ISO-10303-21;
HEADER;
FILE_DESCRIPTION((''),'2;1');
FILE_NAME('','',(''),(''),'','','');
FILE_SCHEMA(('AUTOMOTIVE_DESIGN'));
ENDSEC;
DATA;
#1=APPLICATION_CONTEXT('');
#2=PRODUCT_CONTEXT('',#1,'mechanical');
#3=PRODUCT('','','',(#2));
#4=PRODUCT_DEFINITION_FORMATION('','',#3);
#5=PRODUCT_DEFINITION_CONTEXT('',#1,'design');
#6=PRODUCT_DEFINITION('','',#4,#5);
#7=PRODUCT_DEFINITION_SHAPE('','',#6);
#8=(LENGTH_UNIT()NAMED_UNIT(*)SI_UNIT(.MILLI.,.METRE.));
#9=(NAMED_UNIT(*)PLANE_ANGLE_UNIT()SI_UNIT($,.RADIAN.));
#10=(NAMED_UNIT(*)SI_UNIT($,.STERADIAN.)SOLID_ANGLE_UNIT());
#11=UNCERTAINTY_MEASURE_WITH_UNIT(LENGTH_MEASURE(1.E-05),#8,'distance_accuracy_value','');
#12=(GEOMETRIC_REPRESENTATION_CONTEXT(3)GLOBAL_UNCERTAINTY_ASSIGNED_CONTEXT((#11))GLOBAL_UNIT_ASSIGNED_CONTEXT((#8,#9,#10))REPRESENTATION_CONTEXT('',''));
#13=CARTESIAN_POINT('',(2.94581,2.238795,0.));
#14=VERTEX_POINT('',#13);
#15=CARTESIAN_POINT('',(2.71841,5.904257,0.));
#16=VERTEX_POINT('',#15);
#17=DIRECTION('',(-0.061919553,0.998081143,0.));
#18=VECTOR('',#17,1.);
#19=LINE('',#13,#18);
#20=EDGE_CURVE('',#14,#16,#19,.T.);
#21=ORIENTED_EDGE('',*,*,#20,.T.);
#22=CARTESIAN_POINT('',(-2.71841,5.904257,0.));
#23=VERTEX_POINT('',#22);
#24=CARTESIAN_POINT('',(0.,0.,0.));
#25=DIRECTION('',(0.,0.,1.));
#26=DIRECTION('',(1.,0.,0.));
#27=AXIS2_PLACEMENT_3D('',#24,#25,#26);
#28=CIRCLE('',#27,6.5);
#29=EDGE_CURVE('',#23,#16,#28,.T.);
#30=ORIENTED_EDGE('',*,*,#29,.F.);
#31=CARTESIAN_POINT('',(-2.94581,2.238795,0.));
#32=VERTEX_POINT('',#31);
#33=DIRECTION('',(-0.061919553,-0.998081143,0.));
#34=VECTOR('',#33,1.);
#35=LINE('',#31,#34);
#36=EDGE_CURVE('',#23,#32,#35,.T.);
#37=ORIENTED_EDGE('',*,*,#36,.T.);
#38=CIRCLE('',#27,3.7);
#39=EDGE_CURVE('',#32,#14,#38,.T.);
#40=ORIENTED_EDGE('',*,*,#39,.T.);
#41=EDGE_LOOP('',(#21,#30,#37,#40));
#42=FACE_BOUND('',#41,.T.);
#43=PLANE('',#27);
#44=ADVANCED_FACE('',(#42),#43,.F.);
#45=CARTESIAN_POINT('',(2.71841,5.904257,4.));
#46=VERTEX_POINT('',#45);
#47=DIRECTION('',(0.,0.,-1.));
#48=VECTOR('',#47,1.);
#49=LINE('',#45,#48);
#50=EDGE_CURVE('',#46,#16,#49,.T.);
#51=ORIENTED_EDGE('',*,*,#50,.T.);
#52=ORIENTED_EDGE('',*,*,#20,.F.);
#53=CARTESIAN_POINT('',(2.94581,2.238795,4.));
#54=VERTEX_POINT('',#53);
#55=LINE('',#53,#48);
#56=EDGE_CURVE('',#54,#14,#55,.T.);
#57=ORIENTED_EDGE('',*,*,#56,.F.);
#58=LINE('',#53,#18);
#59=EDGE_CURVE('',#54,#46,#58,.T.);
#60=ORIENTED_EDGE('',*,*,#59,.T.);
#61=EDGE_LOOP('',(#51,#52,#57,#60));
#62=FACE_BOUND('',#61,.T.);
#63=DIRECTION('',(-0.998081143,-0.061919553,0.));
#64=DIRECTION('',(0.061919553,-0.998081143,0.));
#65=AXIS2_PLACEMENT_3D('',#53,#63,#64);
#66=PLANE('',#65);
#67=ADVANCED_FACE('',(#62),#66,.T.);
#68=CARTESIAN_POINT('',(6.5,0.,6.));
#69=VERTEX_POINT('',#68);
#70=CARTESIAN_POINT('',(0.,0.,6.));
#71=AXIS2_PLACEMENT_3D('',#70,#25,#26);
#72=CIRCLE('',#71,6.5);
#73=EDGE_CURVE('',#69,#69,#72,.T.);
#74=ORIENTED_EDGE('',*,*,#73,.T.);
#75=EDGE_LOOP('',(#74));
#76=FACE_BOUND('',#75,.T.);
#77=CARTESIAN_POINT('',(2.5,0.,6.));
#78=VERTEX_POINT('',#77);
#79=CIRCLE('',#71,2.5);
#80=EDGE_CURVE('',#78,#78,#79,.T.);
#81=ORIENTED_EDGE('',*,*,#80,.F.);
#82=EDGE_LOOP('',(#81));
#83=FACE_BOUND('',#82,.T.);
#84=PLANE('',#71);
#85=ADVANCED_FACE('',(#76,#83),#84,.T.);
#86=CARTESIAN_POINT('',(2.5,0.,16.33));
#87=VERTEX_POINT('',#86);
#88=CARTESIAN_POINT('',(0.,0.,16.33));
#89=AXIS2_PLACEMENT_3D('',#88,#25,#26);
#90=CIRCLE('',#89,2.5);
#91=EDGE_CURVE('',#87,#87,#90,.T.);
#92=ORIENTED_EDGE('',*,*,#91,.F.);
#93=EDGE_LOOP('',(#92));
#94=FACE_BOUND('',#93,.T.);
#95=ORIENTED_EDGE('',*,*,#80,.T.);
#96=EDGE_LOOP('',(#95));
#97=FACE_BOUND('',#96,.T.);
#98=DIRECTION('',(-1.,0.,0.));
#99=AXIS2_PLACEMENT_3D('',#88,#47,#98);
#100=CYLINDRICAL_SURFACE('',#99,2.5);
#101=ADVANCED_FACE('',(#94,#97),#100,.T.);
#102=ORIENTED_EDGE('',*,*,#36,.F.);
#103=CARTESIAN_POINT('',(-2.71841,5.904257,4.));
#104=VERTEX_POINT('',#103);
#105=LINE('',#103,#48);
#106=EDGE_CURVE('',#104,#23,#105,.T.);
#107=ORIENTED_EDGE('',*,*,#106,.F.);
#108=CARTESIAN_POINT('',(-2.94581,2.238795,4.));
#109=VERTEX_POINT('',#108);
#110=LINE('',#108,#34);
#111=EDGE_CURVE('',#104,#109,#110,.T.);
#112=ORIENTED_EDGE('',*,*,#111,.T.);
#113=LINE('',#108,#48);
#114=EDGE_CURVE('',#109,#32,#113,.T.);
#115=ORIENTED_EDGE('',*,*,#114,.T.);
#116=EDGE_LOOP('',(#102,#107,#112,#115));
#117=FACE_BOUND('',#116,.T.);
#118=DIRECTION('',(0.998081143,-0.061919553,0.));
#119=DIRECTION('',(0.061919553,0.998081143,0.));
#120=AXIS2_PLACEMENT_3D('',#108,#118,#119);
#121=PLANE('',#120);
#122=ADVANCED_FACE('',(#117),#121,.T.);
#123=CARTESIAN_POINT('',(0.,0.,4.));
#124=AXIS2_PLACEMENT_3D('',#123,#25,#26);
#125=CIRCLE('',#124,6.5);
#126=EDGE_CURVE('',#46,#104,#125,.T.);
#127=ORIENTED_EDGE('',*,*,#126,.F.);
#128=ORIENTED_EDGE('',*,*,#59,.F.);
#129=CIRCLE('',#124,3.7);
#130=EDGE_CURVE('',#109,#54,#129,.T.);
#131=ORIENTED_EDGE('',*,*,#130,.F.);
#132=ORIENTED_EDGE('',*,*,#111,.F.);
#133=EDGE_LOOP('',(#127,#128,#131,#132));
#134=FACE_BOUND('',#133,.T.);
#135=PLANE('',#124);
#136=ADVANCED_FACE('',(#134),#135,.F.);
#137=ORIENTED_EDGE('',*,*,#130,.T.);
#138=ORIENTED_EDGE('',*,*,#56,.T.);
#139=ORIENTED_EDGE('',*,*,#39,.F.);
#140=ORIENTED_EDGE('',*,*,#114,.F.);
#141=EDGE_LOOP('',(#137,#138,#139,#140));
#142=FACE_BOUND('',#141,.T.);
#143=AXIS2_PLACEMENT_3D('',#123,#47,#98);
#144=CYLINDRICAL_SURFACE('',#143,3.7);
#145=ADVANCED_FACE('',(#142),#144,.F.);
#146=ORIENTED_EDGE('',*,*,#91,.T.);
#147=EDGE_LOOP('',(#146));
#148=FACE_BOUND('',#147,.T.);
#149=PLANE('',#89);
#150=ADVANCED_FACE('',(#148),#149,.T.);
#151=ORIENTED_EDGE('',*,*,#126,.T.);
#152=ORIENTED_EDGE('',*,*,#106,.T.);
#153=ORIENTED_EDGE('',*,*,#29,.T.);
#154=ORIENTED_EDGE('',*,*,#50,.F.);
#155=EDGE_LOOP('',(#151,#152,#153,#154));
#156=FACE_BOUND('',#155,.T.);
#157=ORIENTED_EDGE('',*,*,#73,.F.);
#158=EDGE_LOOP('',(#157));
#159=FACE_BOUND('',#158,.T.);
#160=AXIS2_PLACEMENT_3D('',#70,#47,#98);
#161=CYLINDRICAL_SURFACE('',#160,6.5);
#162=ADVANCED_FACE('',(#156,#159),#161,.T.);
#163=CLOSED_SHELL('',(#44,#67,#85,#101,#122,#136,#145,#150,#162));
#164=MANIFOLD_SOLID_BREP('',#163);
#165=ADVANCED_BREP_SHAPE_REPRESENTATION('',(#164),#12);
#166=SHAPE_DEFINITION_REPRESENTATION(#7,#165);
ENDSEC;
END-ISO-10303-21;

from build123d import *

# Parameters (mm, degrees)
SKETCH4_R           = 6.5
BOSS_EXTRUDE1_DEPTH = 6
CUT_EXTRUDE2_DEPTH  = 4
SKETCH7_R           = 2.5
BOSS_EXTRUDE2_DEPTH = 10.33


with BuildPart() as part:
    # Sketch4 → Boss-Extrude1 (new body)
    with BuildSketch(Plane.XY):
        Circle(SKETCH4_R)
    extrude(amount=BOSS_EXTRUDE1_DEPTH)

    # Sketch6 → Cut-Extrude2 (cut)
    with BuildSketch(Plane.XY):
        with BuildLine():
            Line((2.945810333, 2.23879465), (2.718410219, 5.90425659))
            ThreePointArc((2.718410219, 5.90425659), (0, 6.5), (-2.718410219, 5.90425659))
            Line((-2.718410219, 5.90425659), (-2.945810333, 2.23879465))
            ThreePointArc((-2.945810333, 2.23879465), (0, -3.7), (2.945810333, 2.23879465))
        make_face()
    extrude(amount=CUT_EXTRUDE2_DEPTH, mode=Mode.SUBTRACT)

    # Sketch7 → Boss-Extrude2 (add)
    with BuildSketch(Plane.XY.offset(6)):
        Circle(SKETCH7_R)
    extrude(amount=BOSS_EXTRUDE2_DEPTH)


solid = part.part
